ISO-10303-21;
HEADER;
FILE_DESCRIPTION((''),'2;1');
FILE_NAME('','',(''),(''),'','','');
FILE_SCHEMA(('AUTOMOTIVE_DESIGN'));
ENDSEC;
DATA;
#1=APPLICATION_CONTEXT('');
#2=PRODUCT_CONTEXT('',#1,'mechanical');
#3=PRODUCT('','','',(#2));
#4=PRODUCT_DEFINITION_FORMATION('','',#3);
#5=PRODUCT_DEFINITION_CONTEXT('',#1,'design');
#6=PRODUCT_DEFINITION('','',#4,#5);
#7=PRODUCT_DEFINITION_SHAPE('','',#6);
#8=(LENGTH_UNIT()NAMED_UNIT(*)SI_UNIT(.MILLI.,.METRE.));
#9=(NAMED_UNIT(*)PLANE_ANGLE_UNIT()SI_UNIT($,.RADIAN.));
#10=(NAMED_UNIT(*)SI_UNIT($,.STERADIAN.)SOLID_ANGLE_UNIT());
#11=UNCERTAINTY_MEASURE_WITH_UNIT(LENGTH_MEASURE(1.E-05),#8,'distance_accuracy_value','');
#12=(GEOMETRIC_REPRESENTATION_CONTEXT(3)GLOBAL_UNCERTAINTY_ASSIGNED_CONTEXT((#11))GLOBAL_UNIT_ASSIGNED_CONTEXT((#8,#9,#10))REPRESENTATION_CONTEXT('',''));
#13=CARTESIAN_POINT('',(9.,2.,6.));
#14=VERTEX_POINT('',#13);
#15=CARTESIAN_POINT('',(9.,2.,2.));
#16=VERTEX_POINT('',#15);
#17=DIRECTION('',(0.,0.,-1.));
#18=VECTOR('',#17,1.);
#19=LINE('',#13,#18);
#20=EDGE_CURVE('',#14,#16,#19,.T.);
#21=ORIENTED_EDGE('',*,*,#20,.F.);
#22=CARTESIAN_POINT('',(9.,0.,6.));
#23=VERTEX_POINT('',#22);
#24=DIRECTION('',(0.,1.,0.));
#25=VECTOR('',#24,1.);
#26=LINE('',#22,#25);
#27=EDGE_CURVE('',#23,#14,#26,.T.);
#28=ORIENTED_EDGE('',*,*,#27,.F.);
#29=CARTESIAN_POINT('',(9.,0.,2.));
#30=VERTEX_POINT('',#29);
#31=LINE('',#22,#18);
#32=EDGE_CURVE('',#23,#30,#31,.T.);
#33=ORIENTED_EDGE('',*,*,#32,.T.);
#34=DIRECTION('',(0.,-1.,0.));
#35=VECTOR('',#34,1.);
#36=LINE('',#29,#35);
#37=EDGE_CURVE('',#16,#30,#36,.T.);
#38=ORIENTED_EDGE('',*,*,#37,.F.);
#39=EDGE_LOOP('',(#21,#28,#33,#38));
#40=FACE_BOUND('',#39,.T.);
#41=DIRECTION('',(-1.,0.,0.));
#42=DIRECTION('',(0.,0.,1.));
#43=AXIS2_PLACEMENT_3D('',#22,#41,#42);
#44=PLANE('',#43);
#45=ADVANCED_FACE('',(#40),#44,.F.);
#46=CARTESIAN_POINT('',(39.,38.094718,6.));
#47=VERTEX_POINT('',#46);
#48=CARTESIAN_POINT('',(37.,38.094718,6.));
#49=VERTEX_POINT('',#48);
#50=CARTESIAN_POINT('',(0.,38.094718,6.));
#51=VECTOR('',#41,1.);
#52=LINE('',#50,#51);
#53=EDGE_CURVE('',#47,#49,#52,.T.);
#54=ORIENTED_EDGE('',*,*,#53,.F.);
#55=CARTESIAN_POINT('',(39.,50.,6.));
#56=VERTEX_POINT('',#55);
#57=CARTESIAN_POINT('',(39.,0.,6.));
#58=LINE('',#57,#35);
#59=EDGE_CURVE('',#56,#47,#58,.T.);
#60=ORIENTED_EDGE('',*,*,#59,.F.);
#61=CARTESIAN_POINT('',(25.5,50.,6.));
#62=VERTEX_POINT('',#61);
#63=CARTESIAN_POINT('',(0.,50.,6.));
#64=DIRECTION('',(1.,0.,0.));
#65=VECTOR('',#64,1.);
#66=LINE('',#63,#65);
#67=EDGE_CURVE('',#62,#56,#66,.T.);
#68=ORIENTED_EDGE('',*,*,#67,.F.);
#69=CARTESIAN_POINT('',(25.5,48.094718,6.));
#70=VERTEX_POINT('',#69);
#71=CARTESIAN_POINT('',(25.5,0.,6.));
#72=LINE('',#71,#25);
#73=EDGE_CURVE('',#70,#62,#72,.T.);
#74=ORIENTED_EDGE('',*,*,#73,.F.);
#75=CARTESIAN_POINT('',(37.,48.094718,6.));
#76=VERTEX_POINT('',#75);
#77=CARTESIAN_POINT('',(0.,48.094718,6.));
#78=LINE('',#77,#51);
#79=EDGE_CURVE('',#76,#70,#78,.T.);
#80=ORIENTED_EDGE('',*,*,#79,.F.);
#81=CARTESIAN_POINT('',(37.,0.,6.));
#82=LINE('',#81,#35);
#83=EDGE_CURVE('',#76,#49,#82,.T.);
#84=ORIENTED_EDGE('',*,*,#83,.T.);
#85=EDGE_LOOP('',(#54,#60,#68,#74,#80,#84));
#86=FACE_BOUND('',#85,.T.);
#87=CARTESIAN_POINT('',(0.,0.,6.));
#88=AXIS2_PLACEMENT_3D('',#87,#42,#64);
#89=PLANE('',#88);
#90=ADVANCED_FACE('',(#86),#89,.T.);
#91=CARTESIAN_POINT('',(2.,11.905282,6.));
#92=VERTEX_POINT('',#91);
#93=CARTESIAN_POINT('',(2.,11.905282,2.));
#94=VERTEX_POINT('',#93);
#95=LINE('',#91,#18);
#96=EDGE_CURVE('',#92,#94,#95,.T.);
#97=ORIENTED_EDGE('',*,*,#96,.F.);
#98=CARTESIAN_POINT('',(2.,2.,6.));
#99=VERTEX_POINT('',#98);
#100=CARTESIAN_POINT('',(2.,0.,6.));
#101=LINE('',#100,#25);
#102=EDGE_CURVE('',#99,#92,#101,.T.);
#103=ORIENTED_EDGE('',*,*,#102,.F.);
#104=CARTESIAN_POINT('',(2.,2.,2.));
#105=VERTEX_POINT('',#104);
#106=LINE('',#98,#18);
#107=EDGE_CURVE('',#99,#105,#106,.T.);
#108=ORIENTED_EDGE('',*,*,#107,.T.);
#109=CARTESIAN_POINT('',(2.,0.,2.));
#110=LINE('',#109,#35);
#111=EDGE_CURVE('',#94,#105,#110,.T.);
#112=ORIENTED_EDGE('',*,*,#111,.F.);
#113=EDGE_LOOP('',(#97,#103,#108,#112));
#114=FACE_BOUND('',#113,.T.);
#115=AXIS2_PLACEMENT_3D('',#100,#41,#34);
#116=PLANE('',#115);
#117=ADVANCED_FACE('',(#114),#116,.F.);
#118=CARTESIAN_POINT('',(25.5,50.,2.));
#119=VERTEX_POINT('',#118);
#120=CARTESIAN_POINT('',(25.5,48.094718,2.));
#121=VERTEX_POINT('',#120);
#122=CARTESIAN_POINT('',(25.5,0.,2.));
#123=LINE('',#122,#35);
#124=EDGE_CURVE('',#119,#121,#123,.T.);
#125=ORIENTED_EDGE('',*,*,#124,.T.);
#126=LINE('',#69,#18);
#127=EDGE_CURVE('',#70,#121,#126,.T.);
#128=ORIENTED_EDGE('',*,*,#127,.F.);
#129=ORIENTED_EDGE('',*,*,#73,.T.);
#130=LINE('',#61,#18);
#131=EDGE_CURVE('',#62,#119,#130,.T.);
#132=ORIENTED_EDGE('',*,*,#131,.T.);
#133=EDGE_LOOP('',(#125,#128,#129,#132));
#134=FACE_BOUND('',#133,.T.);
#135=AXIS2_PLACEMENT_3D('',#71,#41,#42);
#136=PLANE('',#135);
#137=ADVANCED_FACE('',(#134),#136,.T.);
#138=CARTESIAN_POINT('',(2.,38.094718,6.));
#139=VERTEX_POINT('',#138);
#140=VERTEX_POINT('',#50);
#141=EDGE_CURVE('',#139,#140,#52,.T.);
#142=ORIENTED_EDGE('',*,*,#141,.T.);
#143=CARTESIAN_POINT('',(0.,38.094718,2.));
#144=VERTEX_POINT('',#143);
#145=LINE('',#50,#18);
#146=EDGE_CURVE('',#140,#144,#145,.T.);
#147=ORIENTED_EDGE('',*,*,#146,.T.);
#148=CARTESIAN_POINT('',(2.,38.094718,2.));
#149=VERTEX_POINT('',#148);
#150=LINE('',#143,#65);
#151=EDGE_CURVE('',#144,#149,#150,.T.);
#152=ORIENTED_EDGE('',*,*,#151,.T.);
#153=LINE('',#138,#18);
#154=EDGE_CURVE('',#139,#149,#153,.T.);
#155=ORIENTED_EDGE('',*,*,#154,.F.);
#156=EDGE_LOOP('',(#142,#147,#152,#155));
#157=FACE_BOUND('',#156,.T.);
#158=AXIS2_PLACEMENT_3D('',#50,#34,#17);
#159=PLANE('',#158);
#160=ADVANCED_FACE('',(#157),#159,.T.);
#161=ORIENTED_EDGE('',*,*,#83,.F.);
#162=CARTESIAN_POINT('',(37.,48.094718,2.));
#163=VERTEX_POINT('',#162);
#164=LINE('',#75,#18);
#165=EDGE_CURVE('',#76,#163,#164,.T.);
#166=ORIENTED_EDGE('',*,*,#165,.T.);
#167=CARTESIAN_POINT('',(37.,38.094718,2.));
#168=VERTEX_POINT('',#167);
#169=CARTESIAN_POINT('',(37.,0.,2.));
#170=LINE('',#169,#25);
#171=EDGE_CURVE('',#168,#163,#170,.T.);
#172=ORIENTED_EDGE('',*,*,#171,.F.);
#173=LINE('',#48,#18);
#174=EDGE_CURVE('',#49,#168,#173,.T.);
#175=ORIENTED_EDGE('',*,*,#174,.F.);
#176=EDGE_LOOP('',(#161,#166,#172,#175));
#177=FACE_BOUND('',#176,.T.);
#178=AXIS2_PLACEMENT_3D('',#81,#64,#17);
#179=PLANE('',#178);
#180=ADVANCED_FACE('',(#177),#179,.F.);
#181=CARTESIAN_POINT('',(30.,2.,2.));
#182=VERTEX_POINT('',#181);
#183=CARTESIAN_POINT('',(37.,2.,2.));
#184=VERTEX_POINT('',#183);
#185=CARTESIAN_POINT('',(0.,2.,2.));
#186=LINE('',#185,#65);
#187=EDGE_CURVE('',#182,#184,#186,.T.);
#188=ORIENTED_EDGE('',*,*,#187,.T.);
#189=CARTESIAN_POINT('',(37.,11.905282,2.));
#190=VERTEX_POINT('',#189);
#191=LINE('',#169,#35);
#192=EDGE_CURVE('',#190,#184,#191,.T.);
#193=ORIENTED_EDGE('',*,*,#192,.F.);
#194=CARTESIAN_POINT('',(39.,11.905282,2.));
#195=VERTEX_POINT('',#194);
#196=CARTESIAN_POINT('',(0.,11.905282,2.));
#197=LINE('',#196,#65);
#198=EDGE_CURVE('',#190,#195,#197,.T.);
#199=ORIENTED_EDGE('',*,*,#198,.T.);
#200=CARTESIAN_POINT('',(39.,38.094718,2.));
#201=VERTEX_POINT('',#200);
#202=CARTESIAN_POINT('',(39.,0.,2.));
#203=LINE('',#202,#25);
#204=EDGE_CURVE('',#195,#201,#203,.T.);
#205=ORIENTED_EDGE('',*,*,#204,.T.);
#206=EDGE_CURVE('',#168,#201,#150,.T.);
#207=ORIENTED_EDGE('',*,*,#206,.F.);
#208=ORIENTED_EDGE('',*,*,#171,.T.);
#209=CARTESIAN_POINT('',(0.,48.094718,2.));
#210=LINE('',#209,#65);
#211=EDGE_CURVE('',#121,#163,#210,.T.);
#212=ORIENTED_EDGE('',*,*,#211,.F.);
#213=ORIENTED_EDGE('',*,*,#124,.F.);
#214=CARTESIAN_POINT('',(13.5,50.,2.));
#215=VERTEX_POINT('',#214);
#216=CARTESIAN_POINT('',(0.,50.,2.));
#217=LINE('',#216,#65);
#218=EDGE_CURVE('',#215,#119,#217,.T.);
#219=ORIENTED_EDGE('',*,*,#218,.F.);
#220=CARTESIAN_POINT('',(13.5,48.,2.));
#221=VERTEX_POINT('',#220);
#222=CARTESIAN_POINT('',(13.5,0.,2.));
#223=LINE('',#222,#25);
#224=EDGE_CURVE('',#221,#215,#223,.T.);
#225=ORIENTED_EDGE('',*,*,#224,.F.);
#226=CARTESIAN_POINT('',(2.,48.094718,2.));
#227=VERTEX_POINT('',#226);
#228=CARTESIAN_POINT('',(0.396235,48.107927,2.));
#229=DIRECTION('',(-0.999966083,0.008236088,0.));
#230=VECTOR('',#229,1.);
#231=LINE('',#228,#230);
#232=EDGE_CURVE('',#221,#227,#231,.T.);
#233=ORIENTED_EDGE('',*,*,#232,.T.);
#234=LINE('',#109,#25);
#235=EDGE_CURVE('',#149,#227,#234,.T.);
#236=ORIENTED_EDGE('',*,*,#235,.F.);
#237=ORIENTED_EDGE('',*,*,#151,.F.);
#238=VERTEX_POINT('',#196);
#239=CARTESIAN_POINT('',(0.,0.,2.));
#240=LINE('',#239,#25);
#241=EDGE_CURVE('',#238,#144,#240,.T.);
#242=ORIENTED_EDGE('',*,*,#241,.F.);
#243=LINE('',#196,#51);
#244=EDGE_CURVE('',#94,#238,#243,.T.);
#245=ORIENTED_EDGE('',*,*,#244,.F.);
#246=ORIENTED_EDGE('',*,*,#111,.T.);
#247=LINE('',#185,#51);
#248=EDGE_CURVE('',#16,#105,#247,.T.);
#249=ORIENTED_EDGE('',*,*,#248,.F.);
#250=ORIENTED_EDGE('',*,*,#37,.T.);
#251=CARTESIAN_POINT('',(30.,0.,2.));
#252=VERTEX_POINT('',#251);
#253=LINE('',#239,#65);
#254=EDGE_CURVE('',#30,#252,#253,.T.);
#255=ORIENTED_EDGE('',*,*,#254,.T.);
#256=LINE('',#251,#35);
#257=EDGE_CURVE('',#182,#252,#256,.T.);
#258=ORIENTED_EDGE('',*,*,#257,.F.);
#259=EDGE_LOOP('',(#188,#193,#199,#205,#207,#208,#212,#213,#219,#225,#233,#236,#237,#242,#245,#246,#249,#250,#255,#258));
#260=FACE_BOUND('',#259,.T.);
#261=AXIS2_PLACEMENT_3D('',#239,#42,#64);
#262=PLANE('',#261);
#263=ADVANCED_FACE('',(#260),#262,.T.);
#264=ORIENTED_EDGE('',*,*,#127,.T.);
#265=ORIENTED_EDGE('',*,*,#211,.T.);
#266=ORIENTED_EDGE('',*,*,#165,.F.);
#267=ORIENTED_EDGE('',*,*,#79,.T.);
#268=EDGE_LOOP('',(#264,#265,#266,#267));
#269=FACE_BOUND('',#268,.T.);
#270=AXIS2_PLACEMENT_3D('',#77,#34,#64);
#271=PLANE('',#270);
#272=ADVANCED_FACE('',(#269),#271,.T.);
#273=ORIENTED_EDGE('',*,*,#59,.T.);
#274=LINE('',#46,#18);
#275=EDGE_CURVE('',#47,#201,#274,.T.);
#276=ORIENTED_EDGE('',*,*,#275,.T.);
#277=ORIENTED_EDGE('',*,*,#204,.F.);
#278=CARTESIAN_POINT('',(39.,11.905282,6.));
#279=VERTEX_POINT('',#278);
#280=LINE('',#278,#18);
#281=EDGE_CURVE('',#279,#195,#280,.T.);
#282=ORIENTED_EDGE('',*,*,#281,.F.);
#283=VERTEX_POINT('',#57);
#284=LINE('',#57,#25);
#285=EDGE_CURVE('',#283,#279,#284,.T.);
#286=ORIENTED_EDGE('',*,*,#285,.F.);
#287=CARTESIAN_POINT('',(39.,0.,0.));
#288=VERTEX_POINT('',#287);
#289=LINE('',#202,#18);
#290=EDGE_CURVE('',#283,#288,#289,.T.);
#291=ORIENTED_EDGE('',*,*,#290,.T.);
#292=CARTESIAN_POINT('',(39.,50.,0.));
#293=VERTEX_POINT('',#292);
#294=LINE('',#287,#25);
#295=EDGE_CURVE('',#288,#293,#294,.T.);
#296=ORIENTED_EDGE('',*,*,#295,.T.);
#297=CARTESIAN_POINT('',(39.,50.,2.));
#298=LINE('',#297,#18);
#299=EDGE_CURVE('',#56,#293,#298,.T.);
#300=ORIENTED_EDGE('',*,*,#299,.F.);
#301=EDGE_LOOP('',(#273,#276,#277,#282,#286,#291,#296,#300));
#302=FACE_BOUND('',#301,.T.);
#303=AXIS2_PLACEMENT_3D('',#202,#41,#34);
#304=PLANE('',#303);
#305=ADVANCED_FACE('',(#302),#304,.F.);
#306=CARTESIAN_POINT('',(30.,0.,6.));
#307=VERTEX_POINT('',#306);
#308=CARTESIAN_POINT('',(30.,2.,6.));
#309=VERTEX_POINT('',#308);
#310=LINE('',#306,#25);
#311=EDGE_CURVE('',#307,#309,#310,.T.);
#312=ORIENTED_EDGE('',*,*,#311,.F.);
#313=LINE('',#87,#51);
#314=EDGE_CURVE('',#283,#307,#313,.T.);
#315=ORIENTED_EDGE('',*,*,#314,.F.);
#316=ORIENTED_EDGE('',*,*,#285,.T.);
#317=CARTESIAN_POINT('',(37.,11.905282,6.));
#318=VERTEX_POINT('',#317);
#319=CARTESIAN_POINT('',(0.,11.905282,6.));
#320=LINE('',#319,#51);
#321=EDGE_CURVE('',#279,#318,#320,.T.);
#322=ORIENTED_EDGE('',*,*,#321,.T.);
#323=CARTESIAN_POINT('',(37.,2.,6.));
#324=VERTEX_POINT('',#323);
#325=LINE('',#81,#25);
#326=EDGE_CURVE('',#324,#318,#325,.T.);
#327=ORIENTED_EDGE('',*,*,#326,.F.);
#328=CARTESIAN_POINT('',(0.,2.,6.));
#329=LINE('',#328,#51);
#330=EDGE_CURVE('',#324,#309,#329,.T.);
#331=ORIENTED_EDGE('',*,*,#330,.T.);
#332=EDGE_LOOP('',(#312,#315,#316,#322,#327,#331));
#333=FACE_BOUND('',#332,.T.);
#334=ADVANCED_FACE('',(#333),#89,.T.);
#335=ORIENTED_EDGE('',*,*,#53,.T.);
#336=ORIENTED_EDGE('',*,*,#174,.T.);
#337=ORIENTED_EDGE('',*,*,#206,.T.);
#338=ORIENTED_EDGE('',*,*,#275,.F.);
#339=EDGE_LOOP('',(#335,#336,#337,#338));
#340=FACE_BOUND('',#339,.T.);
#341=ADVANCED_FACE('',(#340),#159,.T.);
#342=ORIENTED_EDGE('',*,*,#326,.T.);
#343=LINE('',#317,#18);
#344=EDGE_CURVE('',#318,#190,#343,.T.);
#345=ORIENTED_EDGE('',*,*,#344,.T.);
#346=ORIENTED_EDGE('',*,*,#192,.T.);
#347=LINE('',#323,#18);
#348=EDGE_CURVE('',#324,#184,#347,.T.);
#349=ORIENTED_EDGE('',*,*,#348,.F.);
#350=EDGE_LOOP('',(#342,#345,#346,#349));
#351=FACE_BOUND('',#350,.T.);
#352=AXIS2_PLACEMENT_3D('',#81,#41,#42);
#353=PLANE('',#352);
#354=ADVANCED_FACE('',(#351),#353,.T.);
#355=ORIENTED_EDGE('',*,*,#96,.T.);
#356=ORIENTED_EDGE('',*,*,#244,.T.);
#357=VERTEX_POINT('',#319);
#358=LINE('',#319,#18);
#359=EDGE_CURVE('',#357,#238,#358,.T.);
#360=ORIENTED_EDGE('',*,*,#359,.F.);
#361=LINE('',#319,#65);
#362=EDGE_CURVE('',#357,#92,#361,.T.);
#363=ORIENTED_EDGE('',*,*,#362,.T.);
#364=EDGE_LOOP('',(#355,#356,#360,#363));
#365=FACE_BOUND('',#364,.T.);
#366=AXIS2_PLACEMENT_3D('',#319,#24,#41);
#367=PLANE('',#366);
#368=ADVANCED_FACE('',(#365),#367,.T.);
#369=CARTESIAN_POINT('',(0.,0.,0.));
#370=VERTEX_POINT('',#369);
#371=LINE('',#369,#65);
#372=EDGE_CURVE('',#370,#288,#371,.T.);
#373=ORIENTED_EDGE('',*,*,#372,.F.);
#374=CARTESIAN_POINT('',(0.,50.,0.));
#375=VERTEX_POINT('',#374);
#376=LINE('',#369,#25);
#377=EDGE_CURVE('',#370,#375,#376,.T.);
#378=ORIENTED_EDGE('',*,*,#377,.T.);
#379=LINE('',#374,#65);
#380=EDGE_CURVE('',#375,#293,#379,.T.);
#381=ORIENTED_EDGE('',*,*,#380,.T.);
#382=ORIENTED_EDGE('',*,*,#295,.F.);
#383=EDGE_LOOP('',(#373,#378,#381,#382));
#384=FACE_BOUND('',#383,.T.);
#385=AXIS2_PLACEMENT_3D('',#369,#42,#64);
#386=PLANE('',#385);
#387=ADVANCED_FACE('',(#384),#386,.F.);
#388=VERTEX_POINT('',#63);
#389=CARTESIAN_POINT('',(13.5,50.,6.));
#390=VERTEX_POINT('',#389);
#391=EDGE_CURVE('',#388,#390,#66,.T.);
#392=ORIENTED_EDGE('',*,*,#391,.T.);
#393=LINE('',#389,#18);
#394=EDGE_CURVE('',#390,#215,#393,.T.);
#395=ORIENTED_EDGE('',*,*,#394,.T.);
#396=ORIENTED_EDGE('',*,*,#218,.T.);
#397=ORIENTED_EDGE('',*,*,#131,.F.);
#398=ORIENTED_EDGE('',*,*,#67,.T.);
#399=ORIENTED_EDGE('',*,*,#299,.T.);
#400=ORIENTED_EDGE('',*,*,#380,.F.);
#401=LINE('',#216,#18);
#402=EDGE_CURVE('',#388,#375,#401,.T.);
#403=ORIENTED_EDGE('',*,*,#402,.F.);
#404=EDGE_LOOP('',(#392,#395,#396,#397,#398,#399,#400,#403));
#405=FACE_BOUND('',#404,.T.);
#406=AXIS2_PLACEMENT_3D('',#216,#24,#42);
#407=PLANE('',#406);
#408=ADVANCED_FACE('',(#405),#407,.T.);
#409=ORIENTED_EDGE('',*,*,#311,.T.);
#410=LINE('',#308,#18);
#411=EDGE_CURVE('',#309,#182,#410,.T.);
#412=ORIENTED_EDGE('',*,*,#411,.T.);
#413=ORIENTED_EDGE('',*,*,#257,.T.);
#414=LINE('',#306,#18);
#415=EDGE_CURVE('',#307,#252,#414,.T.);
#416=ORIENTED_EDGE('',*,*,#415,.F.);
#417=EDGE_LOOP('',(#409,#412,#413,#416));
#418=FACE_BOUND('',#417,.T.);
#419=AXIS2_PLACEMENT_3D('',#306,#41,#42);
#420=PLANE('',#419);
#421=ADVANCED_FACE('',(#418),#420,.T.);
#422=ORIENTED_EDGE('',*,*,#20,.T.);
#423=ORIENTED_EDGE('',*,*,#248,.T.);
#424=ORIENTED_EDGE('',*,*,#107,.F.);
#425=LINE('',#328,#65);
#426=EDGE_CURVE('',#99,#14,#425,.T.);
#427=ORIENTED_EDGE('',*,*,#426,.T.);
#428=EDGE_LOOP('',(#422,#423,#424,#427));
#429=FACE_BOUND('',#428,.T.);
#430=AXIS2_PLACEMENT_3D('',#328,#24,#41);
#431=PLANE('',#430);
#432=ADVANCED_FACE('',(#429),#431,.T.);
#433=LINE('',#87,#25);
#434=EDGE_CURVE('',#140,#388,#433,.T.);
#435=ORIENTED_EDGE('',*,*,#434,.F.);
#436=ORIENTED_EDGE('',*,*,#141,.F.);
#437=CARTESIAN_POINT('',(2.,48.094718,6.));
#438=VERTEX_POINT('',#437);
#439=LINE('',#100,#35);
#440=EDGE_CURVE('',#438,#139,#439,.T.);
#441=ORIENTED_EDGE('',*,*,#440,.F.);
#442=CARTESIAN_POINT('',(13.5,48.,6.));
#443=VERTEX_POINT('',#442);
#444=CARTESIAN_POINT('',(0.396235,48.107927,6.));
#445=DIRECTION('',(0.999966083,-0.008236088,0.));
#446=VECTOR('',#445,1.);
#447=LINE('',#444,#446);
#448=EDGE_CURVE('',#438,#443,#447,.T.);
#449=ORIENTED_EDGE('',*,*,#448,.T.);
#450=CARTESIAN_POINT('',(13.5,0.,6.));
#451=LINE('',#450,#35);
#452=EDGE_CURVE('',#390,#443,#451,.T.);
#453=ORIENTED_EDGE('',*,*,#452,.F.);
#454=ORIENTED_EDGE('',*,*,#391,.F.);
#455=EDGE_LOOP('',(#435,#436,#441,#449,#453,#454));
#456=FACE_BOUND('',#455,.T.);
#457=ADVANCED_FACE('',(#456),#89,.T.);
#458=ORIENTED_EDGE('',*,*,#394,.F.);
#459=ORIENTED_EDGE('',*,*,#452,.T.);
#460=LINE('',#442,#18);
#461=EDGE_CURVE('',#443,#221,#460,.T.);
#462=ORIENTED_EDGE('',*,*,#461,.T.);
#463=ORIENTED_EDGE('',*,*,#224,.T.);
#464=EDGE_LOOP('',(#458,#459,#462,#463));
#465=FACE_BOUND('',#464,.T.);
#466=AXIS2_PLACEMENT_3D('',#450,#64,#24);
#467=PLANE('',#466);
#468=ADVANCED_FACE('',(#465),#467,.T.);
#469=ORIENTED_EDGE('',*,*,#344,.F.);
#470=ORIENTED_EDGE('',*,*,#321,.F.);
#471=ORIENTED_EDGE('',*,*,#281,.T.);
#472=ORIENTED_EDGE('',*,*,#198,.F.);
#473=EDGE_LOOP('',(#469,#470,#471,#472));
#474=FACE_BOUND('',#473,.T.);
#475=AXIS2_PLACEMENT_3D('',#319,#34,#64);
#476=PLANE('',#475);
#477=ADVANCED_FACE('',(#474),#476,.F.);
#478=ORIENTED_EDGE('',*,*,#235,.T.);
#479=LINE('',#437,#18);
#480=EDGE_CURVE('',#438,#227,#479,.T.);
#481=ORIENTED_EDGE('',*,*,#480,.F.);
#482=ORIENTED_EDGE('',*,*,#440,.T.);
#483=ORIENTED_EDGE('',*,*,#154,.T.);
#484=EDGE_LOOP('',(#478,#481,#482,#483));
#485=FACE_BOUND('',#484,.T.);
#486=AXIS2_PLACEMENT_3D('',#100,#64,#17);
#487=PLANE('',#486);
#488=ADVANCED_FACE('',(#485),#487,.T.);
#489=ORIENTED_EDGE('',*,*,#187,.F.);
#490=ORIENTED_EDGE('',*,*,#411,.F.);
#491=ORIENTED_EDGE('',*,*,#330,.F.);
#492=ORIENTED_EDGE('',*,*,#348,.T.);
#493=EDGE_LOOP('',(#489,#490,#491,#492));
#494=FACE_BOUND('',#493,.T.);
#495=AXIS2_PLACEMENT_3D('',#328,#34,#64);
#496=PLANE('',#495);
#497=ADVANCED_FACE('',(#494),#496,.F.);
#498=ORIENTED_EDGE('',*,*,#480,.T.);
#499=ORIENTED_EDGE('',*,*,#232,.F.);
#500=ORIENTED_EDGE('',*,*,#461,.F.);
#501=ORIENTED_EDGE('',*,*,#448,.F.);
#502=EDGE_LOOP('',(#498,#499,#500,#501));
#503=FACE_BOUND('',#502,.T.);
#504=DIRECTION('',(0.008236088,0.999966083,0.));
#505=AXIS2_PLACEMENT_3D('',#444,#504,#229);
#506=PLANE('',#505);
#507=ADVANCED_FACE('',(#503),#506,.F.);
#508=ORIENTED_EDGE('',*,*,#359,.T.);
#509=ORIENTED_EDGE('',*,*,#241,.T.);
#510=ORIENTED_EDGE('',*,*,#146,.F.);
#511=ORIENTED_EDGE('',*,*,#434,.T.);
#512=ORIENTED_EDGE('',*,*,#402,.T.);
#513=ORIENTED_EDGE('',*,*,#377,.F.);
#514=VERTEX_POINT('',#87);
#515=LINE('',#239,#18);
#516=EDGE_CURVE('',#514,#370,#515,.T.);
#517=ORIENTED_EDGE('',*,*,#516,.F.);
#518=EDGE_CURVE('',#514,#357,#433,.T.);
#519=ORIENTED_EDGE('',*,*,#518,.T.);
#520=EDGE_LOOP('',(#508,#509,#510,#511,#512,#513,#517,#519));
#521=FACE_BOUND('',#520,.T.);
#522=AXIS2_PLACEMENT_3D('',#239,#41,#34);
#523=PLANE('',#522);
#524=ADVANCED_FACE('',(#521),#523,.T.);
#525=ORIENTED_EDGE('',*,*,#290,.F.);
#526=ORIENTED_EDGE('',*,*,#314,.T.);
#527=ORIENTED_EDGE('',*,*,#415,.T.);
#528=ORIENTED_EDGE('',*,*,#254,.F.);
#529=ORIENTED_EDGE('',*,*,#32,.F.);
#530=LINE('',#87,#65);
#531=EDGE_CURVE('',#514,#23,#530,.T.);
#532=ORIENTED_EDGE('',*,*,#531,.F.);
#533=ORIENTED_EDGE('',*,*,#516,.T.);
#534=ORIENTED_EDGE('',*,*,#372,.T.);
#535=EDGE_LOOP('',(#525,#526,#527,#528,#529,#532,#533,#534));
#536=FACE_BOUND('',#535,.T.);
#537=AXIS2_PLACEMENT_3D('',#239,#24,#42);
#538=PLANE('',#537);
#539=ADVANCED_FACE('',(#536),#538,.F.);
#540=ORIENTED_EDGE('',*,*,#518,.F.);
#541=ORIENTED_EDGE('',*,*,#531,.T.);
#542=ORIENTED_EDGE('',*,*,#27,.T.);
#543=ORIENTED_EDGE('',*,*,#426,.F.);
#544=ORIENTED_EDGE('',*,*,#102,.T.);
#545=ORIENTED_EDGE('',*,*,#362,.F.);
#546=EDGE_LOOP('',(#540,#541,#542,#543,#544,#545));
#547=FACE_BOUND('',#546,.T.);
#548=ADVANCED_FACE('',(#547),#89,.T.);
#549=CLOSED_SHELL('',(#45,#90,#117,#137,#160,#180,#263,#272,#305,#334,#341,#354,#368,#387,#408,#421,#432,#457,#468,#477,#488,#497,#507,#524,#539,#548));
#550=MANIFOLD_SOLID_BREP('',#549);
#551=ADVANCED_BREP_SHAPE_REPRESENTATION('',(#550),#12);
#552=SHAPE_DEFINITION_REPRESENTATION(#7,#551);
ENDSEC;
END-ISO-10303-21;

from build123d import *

# Parameters (mm, degrees)
SKETCH1_W           = 39
SKETCH1_H           = 50
BOSS_EXTRUDE1_DEPTH = 2
BOSS_EXTRUDE2_DEPTH = 6


with BuildPart() as part:
    # Sketch1 → Boss-Extrude1 (new body)
    with BuildSketch(Plane.XY):
        with Locations((19.5, 25)):
            Rectangle(SKETCH1_W, SKETCH1_H)
    extrude(amount=BOSS_EXTRUDE1_DEPTH)

    # Sketch1<4> → Boss-Extrude2 (add)
    with BuildSketch(Plane.XY):
        Polygon((13.5, 50), (0, 50), (0, 38.094718221), (2, 38.094718221), (2, 48.094718221), (13.5, 48), align=None)
        Polygon((39, 50), (25.5, 50), (25.5, 48.094718221), (37, 48.094718221), (37, 38.094718221), (39, 38.094718221), align=None)
        Polygon((2, 11.905281779), (0, 11.905281779), (0, 0), (9, 0), (9, 2), (2, 2), align=None)
        Polygon((39, 0), (39, 11.905281779), (37, 11.905281779), (37, 2), (30, 2), (30, 0), align=None)
    extrude(amount=BOSS_EXTRUDE2_DEPTH)


solid = part.part
